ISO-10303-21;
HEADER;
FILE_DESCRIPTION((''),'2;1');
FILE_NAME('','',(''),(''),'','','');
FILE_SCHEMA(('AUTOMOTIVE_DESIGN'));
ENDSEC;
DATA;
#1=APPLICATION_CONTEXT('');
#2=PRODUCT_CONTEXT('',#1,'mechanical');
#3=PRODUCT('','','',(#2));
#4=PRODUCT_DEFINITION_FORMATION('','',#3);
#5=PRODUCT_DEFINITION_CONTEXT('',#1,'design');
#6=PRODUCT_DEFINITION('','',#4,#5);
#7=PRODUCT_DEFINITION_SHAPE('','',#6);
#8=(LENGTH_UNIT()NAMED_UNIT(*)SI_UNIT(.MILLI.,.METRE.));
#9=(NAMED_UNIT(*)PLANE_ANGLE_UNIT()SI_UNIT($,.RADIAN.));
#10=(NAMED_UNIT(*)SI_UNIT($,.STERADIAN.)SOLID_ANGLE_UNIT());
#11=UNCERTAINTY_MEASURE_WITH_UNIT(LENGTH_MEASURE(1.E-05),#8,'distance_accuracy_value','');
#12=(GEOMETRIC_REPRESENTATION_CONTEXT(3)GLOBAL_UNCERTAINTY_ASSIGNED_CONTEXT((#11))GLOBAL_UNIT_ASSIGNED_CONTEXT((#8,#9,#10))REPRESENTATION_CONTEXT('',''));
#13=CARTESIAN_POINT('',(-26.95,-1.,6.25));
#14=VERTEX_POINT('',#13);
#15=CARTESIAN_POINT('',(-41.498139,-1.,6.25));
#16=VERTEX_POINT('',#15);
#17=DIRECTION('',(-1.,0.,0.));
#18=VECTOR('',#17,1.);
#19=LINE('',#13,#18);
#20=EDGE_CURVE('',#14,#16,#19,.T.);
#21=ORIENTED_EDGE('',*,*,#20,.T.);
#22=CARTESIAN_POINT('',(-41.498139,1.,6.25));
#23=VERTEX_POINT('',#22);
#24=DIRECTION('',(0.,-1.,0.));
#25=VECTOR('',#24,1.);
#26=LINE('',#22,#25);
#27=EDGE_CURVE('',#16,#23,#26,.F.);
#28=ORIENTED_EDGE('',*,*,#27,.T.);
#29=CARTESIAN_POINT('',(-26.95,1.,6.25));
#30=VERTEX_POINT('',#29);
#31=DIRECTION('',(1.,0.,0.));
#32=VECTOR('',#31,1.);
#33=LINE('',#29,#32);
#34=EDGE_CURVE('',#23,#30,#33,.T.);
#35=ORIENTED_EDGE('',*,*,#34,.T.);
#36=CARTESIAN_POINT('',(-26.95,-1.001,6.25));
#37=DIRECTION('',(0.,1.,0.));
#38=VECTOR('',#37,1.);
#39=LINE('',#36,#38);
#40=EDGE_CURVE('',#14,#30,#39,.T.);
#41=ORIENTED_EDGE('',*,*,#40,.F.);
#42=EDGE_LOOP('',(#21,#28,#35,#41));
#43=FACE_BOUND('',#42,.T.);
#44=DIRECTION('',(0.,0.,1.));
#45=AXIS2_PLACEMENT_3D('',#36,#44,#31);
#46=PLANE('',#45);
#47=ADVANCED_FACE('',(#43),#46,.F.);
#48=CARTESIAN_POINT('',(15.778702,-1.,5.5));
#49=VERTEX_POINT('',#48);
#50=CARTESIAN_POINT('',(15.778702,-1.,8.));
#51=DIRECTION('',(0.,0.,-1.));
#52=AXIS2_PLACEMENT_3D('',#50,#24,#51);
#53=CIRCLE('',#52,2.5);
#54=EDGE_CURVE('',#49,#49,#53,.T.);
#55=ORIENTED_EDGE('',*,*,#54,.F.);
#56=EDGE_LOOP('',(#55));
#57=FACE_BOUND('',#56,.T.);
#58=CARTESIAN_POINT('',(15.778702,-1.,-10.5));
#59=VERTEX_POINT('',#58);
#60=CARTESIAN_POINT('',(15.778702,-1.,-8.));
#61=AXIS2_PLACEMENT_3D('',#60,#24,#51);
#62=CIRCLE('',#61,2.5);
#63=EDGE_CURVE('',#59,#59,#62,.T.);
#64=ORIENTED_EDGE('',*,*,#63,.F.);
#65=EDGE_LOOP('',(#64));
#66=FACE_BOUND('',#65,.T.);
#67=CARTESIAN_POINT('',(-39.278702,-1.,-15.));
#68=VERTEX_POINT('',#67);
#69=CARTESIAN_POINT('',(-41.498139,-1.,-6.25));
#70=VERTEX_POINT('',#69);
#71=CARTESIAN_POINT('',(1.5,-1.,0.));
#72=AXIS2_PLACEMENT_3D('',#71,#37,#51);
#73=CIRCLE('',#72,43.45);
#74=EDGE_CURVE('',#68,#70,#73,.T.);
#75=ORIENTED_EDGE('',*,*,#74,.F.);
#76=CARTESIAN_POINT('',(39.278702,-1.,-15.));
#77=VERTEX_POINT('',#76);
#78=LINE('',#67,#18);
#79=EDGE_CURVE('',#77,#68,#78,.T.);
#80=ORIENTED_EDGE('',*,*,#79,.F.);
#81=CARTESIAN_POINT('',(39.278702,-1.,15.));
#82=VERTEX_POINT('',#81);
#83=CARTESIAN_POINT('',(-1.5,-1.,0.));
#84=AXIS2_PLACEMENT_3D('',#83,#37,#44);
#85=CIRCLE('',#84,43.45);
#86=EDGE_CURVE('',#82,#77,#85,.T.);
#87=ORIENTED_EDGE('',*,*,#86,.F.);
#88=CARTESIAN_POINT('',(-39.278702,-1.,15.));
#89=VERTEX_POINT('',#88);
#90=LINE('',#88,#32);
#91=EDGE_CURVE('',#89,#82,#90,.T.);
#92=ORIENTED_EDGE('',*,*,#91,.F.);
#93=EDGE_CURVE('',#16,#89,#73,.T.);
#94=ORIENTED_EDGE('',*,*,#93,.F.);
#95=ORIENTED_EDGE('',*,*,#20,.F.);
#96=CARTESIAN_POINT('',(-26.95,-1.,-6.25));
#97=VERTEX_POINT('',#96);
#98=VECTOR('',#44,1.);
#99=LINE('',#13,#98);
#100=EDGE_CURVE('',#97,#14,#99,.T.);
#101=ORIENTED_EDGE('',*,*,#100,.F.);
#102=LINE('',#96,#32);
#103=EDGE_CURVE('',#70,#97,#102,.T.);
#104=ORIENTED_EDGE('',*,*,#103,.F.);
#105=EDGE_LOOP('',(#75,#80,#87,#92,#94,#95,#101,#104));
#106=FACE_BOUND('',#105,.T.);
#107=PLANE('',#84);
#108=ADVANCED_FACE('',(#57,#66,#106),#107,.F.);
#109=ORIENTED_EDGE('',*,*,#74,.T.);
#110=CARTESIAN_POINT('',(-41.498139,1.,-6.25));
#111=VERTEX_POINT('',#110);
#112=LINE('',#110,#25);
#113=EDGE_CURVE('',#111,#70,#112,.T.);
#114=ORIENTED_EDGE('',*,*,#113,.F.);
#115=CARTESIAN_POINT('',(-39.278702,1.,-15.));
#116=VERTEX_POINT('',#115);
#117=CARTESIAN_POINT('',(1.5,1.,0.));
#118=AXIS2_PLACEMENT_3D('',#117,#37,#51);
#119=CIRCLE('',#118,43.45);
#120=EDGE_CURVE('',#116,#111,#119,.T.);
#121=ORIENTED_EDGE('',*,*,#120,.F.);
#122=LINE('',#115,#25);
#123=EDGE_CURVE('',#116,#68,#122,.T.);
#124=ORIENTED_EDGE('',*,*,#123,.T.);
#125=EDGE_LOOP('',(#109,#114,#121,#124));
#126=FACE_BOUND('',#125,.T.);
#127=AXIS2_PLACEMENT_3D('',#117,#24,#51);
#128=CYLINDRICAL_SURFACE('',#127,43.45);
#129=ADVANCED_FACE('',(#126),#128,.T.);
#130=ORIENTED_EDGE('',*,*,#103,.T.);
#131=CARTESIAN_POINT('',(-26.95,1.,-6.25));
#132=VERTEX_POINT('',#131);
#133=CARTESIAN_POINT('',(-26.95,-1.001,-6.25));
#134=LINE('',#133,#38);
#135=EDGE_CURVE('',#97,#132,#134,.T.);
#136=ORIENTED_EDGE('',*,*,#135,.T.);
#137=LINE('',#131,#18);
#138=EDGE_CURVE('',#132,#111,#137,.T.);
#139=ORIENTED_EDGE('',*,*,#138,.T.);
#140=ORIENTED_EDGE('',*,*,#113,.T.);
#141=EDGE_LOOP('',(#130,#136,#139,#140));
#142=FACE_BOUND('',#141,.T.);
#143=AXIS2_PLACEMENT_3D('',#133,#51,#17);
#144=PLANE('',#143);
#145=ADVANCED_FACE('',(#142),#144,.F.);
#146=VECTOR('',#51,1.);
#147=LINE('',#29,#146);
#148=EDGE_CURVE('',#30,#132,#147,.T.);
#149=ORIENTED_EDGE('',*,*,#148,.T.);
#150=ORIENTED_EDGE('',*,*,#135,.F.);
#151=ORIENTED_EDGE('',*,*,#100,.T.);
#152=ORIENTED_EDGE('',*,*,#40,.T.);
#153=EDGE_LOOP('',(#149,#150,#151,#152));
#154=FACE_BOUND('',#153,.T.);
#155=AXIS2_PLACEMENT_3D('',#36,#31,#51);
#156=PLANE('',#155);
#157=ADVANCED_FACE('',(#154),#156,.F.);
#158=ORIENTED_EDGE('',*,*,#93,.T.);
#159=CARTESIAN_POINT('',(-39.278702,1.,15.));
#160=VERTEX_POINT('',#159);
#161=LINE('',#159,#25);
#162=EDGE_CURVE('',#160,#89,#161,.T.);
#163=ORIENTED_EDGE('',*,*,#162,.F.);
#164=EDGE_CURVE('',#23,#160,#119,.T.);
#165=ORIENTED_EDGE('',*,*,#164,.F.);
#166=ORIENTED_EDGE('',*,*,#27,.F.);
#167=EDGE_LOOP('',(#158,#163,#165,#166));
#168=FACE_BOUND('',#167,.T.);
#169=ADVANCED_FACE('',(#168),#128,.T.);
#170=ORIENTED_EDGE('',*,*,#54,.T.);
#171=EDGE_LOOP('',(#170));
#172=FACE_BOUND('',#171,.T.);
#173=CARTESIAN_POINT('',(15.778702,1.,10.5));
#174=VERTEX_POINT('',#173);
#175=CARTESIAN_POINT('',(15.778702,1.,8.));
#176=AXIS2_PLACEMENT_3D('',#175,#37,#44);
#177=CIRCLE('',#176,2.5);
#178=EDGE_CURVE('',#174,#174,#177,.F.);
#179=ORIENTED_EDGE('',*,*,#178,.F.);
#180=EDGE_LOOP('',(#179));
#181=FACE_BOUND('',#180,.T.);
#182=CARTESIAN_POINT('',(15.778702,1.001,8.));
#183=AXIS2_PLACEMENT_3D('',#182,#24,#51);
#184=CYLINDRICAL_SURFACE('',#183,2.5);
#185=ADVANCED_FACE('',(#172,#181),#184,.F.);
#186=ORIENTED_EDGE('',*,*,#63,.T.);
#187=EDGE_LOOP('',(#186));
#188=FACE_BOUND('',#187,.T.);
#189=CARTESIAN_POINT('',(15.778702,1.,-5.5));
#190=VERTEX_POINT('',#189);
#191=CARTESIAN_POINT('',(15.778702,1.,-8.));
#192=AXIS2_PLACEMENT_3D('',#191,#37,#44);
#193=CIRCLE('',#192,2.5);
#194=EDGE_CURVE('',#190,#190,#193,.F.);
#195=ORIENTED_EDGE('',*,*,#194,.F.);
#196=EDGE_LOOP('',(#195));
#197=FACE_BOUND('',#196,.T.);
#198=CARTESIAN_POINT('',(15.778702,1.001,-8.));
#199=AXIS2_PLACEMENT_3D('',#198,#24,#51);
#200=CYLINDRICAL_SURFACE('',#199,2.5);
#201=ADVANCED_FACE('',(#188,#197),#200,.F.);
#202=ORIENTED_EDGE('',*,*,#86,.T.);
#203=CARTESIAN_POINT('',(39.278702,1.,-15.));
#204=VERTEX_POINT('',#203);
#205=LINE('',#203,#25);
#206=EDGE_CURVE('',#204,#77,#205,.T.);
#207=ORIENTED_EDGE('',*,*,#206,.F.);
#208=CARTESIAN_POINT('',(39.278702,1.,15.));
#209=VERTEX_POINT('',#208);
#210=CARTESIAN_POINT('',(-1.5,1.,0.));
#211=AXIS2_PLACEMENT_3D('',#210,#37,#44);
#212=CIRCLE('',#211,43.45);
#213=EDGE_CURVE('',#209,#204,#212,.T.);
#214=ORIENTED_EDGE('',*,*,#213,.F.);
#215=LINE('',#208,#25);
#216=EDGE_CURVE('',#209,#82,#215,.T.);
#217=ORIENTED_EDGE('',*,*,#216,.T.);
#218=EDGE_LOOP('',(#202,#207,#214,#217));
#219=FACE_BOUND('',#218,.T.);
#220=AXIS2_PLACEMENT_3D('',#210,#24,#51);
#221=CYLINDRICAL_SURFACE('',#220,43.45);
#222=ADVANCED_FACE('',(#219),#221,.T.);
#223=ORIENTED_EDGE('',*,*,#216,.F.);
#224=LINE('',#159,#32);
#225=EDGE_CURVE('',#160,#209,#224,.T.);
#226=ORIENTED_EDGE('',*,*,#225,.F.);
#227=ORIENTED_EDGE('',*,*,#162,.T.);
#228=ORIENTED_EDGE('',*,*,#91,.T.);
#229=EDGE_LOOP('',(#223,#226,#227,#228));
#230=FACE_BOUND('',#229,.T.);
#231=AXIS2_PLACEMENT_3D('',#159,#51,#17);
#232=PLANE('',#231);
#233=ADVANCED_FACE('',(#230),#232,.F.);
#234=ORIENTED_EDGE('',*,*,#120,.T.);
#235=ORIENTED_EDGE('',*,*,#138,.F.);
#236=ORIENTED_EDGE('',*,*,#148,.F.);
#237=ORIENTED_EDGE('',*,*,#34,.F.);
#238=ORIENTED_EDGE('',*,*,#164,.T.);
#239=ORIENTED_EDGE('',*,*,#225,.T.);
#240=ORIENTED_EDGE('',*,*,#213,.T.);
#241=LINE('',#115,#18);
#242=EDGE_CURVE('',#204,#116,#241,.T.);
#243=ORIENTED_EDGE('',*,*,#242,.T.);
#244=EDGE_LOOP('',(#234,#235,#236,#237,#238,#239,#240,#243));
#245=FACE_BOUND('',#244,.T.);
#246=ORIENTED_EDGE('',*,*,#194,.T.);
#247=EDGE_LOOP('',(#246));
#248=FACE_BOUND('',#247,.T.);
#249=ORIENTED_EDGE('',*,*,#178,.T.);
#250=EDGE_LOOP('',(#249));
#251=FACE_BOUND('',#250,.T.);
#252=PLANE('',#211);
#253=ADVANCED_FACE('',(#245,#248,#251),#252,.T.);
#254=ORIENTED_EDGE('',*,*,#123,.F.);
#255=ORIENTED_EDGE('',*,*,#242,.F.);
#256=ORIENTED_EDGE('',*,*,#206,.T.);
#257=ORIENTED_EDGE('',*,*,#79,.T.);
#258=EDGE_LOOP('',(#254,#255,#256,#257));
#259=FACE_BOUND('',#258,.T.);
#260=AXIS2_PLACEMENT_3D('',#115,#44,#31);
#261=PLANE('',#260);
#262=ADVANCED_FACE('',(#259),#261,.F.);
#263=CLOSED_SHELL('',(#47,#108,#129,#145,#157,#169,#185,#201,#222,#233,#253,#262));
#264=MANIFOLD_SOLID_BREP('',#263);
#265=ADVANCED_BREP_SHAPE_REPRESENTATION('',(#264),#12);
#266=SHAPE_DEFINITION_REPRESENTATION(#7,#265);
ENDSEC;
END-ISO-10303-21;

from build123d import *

# Parameters (mm, degrees)
BOSS_EXTRUDE1_DEPTH = 1
CUT_EXTRUDE1_REACH  = 46.596
SKETCH2_W           = 30
SKETCH2_H           = 12.5
CUT_EXTRUDE2_REACH  = 46.596
SKETCH3_R           = 2.5


with BuildPart() as part:
    # Sketch1 → Boss-Extrude1 (new, symmetric)
    with BuildSketch(Plane(origin=(0, 0, 0), x_dir=(1, 0, 0), z_dir=(0, 1, 0))):
        with BuildLine():
            Line((-39.278701549, 15), (39.278701549, 15))
            ThreePointArc((39.278701549, 15), (41.95, 0), (39.278701549, -15))
            Line((39.278701549, -15), (-39.278701549, -15))
            ThreePointArc((-39.278701549, -15), (-41.95, 0), (-39.278701549, 15))
        make_face()
    extrude(amount=BOSS_EXTRUDE1_DEPTH, both=True)

    # Sketch2 → Cut-Extrude1 (cut, up to next)
    with BuildSketch(Plane(origin=(0, 1, 0), x_dir=(1, 0, 0), z_dir=(0, 1, 0)), mode=Mode.PRIVATE) as cut_extrude1_sk1:
        with Locations((-41.95, 0)):
            Rectangle(SKETCH2_W, SKETCH2_H)
    cut_extrude1_tool1 = extrude(cut_extrude1_sk1.sketch, amount=-CUT_EXTRUDE1_REACH, mode=Mode.PRIVATE) & part.part
    add(cut_extrude1_tool1.solids().sort_by_distance((-41.95, 1, 0))[0], mode=Mode.SUBTRACT)

    # Sketch3 → Cut-Extrude2 (cut, up to next)
    with BuildSketch(Plane.XZ.offset(1), mode=Mode.PRIVATE) as cut_extrude2_sk1:
        with Locations(Location((15.778701549, 8, 0), (0, 0, 270))):
            Circle(SKETCH3_R)
    cut_extrude2_tool1 = extrude(cut_extrude2_sk1.sketch, amount=-CUT_EXTRUDE2_REACH, mode=Mode.PRIVATE) & part.part
    # Sketch3 → Cut-Extrude2 (cut, up to next)
    with BuildSketch(Plane.XZ.offset(1), mode=Mode.PRIVATE) as cut_extrude2_sk2:
        with Locations(Location((15.778701549, -8, 0), (0, 0, 270))):
            Circle(SKETCH3_R)
    cut_extrude2_tool2 = extrude(cut_extrude2_sk2.sketch, amount=-CUT_EXTRUDE2_REACH, mode=Mode.PRIVATE) & part.part
    add(cut_extrude2_tool1.solids().sort_by_distance((15.778702, -1, 8))[0], mode=Mode.SUBTRACT)
    add(cut_extrude2_tool2.solids().sort_by_distance((15.778702, -1, -8))[0], mode=Mode.SUBTRACT)


solid = part.part
